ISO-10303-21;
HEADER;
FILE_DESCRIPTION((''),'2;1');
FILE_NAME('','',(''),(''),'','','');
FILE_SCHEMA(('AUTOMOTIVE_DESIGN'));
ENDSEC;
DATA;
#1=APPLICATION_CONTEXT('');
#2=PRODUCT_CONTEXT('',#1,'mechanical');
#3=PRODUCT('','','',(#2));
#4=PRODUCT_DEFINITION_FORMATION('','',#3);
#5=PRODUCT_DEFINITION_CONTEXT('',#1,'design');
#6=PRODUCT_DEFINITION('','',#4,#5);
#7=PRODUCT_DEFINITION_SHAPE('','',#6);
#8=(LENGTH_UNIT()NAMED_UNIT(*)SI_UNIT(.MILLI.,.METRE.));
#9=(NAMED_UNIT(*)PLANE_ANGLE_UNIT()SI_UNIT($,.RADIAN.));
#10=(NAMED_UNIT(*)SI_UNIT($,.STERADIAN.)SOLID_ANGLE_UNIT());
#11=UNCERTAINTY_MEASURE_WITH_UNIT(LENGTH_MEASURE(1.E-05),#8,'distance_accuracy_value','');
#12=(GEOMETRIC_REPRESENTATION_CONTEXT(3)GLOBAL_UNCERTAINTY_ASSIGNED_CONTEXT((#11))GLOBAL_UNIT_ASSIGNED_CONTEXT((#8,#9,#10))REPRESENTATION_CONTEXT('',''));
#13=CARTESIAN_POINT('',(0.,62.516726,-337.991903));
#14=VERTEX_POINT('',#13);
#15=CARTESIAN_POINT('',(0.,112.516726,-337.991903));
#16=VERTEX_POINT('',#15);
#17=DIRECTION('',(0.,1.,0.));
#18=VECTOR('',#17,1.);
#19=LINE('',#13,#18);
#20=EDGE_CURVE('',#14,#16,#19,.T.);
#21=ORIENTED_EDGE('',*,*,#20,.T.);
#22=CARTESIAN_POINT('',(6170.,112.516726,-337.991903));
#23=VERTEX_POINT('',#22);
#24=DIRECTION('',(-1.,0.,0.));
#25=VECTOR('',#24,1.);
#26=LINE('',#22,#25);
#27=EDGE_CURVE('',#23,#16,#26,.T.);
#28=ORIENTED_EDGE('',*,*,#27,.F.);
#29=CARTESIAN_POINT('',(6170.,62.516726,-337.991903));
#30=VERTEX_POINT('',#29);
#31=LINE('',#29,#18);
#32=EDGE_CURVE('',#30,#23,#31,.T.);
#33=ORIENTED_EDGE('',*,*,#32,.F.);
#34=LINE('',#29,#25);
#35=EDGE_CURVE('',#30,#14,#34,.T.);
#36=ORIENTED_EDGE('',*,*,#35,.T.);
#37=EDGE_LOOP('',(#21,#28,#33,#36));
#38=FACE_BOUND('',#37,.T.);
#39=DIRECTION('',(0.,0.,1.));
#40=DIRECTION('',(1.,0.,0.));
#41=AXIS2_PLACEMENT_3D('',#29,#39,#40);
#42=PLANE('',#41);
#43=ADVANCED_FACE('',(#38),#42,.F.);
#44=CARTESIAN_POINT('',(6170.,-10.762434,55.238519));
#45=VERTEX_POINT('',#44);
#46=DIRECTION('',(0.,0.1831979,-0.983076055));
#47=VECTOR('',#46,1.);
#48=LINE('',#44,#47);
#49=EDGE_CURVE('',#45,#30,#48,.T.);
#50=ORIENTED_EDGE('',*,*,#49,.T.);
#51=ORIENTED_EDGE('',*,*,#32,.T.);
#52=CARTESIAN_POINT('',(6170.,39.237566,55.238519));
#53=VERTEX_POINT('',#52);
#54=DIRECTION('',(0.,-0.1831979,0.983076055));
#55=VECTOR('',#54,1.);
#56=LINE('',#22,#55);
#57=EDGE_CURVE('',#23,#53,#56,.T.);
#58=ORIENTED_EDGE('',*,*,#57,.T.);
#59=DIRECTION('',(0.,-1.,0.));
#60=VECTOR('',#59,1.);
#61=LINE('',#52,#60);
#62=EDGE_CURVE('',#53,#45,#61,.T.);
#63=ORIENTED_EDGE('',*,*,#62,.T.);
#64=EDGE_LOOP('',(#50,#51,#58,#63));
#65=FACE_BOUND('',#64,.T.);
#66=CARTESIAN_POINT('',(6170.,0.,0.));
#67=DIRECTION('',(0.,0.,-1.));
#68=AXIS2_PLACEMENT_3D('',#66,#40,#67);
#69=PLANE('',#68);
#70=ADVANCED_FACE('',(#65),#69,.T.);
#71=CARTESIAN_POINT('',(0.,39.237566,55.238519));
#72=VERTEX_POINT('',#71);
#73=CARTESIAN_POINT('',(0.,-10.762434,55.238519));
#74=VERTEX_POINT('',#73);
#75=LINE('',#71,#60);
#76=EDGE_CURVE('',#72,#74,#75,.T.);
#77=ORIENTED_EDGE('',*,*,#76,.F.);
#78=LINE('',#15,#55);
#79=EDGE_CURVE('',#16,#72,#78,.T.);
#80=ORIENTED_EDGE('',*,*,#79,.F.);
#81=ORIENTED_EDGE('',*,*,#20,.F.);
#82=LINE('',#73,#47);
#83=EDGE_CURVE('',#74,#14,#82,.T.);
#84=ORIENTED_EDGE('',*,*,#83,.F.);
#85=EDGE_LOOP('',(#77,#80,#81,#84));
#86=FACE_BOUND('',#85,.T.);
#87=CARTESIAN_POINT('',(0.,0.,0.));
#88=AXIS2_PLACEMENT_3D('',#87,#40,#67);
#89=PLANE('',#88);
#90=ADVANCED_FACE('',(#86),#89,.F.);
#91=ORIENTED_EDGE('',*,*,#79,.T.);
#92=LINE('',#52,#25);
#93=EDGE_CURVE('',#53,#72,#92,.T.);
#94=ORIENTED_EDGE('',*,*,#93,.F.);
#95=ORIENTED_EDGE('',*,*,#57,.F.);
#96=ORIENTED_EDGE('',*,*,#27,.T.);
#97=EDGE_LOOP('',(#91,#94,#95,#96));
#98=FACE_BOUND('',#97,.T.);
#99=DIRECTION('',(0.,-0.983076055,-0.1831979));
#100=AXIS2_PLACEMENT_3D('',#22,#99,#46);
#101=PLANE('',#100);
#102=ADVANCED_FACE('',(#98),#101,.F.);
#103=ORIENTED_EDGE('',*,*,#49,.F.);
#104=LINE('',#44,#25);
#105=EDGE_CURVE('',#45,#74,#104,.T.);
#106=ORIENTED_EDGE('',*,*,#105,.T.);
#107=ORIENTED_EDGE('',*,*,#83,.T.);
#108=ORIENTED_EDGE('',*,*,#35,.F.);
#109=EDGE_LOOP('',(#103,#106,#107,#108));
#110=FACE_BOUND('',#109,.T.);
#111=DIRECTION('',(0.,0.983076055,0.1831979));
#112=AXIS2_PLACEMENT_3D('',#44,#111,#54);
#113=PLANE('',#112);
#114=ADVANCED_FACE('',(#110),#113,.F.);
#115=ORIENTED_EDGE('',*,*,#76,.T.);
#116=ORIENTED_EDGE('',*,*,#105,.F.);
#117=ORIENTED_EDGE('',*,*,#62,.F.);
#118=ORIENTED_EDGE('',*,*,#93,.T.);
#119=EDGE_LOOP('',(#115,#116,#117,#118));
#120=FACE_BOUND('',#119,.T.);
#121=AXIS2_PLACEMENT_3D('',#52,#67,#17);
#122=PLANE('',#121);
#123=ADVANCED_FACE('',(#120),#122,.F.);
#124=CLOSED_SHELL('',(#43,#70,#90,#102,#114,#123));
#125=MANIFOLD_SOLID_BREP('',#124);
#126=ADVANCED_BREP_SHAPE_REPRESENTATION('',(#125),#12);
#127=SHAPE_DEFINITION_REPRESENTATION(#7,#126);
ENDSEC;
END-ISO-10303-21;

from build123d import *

# Parameters (mm, degrees)
EXTRUDE_1_DEPTH = 6170


with BuildPart() as part:
    # Эскиз1 → Бобышка-Вытянуть1 (new body)
    with BuildSketch(Plane(origin=(0, 0, 0), x_dir=(0, 0, -1), z_dir=(1, 0, 0))):
        Polygon((337.991902916, 112.516725537), (-55.238518989, 39.237565549), (-55.238518989, -10.762434451), (337.991902916, 62.516725537), align=None)
    extrude(amount=EXTRUDE_1_DEPTH)


solid = part.part
